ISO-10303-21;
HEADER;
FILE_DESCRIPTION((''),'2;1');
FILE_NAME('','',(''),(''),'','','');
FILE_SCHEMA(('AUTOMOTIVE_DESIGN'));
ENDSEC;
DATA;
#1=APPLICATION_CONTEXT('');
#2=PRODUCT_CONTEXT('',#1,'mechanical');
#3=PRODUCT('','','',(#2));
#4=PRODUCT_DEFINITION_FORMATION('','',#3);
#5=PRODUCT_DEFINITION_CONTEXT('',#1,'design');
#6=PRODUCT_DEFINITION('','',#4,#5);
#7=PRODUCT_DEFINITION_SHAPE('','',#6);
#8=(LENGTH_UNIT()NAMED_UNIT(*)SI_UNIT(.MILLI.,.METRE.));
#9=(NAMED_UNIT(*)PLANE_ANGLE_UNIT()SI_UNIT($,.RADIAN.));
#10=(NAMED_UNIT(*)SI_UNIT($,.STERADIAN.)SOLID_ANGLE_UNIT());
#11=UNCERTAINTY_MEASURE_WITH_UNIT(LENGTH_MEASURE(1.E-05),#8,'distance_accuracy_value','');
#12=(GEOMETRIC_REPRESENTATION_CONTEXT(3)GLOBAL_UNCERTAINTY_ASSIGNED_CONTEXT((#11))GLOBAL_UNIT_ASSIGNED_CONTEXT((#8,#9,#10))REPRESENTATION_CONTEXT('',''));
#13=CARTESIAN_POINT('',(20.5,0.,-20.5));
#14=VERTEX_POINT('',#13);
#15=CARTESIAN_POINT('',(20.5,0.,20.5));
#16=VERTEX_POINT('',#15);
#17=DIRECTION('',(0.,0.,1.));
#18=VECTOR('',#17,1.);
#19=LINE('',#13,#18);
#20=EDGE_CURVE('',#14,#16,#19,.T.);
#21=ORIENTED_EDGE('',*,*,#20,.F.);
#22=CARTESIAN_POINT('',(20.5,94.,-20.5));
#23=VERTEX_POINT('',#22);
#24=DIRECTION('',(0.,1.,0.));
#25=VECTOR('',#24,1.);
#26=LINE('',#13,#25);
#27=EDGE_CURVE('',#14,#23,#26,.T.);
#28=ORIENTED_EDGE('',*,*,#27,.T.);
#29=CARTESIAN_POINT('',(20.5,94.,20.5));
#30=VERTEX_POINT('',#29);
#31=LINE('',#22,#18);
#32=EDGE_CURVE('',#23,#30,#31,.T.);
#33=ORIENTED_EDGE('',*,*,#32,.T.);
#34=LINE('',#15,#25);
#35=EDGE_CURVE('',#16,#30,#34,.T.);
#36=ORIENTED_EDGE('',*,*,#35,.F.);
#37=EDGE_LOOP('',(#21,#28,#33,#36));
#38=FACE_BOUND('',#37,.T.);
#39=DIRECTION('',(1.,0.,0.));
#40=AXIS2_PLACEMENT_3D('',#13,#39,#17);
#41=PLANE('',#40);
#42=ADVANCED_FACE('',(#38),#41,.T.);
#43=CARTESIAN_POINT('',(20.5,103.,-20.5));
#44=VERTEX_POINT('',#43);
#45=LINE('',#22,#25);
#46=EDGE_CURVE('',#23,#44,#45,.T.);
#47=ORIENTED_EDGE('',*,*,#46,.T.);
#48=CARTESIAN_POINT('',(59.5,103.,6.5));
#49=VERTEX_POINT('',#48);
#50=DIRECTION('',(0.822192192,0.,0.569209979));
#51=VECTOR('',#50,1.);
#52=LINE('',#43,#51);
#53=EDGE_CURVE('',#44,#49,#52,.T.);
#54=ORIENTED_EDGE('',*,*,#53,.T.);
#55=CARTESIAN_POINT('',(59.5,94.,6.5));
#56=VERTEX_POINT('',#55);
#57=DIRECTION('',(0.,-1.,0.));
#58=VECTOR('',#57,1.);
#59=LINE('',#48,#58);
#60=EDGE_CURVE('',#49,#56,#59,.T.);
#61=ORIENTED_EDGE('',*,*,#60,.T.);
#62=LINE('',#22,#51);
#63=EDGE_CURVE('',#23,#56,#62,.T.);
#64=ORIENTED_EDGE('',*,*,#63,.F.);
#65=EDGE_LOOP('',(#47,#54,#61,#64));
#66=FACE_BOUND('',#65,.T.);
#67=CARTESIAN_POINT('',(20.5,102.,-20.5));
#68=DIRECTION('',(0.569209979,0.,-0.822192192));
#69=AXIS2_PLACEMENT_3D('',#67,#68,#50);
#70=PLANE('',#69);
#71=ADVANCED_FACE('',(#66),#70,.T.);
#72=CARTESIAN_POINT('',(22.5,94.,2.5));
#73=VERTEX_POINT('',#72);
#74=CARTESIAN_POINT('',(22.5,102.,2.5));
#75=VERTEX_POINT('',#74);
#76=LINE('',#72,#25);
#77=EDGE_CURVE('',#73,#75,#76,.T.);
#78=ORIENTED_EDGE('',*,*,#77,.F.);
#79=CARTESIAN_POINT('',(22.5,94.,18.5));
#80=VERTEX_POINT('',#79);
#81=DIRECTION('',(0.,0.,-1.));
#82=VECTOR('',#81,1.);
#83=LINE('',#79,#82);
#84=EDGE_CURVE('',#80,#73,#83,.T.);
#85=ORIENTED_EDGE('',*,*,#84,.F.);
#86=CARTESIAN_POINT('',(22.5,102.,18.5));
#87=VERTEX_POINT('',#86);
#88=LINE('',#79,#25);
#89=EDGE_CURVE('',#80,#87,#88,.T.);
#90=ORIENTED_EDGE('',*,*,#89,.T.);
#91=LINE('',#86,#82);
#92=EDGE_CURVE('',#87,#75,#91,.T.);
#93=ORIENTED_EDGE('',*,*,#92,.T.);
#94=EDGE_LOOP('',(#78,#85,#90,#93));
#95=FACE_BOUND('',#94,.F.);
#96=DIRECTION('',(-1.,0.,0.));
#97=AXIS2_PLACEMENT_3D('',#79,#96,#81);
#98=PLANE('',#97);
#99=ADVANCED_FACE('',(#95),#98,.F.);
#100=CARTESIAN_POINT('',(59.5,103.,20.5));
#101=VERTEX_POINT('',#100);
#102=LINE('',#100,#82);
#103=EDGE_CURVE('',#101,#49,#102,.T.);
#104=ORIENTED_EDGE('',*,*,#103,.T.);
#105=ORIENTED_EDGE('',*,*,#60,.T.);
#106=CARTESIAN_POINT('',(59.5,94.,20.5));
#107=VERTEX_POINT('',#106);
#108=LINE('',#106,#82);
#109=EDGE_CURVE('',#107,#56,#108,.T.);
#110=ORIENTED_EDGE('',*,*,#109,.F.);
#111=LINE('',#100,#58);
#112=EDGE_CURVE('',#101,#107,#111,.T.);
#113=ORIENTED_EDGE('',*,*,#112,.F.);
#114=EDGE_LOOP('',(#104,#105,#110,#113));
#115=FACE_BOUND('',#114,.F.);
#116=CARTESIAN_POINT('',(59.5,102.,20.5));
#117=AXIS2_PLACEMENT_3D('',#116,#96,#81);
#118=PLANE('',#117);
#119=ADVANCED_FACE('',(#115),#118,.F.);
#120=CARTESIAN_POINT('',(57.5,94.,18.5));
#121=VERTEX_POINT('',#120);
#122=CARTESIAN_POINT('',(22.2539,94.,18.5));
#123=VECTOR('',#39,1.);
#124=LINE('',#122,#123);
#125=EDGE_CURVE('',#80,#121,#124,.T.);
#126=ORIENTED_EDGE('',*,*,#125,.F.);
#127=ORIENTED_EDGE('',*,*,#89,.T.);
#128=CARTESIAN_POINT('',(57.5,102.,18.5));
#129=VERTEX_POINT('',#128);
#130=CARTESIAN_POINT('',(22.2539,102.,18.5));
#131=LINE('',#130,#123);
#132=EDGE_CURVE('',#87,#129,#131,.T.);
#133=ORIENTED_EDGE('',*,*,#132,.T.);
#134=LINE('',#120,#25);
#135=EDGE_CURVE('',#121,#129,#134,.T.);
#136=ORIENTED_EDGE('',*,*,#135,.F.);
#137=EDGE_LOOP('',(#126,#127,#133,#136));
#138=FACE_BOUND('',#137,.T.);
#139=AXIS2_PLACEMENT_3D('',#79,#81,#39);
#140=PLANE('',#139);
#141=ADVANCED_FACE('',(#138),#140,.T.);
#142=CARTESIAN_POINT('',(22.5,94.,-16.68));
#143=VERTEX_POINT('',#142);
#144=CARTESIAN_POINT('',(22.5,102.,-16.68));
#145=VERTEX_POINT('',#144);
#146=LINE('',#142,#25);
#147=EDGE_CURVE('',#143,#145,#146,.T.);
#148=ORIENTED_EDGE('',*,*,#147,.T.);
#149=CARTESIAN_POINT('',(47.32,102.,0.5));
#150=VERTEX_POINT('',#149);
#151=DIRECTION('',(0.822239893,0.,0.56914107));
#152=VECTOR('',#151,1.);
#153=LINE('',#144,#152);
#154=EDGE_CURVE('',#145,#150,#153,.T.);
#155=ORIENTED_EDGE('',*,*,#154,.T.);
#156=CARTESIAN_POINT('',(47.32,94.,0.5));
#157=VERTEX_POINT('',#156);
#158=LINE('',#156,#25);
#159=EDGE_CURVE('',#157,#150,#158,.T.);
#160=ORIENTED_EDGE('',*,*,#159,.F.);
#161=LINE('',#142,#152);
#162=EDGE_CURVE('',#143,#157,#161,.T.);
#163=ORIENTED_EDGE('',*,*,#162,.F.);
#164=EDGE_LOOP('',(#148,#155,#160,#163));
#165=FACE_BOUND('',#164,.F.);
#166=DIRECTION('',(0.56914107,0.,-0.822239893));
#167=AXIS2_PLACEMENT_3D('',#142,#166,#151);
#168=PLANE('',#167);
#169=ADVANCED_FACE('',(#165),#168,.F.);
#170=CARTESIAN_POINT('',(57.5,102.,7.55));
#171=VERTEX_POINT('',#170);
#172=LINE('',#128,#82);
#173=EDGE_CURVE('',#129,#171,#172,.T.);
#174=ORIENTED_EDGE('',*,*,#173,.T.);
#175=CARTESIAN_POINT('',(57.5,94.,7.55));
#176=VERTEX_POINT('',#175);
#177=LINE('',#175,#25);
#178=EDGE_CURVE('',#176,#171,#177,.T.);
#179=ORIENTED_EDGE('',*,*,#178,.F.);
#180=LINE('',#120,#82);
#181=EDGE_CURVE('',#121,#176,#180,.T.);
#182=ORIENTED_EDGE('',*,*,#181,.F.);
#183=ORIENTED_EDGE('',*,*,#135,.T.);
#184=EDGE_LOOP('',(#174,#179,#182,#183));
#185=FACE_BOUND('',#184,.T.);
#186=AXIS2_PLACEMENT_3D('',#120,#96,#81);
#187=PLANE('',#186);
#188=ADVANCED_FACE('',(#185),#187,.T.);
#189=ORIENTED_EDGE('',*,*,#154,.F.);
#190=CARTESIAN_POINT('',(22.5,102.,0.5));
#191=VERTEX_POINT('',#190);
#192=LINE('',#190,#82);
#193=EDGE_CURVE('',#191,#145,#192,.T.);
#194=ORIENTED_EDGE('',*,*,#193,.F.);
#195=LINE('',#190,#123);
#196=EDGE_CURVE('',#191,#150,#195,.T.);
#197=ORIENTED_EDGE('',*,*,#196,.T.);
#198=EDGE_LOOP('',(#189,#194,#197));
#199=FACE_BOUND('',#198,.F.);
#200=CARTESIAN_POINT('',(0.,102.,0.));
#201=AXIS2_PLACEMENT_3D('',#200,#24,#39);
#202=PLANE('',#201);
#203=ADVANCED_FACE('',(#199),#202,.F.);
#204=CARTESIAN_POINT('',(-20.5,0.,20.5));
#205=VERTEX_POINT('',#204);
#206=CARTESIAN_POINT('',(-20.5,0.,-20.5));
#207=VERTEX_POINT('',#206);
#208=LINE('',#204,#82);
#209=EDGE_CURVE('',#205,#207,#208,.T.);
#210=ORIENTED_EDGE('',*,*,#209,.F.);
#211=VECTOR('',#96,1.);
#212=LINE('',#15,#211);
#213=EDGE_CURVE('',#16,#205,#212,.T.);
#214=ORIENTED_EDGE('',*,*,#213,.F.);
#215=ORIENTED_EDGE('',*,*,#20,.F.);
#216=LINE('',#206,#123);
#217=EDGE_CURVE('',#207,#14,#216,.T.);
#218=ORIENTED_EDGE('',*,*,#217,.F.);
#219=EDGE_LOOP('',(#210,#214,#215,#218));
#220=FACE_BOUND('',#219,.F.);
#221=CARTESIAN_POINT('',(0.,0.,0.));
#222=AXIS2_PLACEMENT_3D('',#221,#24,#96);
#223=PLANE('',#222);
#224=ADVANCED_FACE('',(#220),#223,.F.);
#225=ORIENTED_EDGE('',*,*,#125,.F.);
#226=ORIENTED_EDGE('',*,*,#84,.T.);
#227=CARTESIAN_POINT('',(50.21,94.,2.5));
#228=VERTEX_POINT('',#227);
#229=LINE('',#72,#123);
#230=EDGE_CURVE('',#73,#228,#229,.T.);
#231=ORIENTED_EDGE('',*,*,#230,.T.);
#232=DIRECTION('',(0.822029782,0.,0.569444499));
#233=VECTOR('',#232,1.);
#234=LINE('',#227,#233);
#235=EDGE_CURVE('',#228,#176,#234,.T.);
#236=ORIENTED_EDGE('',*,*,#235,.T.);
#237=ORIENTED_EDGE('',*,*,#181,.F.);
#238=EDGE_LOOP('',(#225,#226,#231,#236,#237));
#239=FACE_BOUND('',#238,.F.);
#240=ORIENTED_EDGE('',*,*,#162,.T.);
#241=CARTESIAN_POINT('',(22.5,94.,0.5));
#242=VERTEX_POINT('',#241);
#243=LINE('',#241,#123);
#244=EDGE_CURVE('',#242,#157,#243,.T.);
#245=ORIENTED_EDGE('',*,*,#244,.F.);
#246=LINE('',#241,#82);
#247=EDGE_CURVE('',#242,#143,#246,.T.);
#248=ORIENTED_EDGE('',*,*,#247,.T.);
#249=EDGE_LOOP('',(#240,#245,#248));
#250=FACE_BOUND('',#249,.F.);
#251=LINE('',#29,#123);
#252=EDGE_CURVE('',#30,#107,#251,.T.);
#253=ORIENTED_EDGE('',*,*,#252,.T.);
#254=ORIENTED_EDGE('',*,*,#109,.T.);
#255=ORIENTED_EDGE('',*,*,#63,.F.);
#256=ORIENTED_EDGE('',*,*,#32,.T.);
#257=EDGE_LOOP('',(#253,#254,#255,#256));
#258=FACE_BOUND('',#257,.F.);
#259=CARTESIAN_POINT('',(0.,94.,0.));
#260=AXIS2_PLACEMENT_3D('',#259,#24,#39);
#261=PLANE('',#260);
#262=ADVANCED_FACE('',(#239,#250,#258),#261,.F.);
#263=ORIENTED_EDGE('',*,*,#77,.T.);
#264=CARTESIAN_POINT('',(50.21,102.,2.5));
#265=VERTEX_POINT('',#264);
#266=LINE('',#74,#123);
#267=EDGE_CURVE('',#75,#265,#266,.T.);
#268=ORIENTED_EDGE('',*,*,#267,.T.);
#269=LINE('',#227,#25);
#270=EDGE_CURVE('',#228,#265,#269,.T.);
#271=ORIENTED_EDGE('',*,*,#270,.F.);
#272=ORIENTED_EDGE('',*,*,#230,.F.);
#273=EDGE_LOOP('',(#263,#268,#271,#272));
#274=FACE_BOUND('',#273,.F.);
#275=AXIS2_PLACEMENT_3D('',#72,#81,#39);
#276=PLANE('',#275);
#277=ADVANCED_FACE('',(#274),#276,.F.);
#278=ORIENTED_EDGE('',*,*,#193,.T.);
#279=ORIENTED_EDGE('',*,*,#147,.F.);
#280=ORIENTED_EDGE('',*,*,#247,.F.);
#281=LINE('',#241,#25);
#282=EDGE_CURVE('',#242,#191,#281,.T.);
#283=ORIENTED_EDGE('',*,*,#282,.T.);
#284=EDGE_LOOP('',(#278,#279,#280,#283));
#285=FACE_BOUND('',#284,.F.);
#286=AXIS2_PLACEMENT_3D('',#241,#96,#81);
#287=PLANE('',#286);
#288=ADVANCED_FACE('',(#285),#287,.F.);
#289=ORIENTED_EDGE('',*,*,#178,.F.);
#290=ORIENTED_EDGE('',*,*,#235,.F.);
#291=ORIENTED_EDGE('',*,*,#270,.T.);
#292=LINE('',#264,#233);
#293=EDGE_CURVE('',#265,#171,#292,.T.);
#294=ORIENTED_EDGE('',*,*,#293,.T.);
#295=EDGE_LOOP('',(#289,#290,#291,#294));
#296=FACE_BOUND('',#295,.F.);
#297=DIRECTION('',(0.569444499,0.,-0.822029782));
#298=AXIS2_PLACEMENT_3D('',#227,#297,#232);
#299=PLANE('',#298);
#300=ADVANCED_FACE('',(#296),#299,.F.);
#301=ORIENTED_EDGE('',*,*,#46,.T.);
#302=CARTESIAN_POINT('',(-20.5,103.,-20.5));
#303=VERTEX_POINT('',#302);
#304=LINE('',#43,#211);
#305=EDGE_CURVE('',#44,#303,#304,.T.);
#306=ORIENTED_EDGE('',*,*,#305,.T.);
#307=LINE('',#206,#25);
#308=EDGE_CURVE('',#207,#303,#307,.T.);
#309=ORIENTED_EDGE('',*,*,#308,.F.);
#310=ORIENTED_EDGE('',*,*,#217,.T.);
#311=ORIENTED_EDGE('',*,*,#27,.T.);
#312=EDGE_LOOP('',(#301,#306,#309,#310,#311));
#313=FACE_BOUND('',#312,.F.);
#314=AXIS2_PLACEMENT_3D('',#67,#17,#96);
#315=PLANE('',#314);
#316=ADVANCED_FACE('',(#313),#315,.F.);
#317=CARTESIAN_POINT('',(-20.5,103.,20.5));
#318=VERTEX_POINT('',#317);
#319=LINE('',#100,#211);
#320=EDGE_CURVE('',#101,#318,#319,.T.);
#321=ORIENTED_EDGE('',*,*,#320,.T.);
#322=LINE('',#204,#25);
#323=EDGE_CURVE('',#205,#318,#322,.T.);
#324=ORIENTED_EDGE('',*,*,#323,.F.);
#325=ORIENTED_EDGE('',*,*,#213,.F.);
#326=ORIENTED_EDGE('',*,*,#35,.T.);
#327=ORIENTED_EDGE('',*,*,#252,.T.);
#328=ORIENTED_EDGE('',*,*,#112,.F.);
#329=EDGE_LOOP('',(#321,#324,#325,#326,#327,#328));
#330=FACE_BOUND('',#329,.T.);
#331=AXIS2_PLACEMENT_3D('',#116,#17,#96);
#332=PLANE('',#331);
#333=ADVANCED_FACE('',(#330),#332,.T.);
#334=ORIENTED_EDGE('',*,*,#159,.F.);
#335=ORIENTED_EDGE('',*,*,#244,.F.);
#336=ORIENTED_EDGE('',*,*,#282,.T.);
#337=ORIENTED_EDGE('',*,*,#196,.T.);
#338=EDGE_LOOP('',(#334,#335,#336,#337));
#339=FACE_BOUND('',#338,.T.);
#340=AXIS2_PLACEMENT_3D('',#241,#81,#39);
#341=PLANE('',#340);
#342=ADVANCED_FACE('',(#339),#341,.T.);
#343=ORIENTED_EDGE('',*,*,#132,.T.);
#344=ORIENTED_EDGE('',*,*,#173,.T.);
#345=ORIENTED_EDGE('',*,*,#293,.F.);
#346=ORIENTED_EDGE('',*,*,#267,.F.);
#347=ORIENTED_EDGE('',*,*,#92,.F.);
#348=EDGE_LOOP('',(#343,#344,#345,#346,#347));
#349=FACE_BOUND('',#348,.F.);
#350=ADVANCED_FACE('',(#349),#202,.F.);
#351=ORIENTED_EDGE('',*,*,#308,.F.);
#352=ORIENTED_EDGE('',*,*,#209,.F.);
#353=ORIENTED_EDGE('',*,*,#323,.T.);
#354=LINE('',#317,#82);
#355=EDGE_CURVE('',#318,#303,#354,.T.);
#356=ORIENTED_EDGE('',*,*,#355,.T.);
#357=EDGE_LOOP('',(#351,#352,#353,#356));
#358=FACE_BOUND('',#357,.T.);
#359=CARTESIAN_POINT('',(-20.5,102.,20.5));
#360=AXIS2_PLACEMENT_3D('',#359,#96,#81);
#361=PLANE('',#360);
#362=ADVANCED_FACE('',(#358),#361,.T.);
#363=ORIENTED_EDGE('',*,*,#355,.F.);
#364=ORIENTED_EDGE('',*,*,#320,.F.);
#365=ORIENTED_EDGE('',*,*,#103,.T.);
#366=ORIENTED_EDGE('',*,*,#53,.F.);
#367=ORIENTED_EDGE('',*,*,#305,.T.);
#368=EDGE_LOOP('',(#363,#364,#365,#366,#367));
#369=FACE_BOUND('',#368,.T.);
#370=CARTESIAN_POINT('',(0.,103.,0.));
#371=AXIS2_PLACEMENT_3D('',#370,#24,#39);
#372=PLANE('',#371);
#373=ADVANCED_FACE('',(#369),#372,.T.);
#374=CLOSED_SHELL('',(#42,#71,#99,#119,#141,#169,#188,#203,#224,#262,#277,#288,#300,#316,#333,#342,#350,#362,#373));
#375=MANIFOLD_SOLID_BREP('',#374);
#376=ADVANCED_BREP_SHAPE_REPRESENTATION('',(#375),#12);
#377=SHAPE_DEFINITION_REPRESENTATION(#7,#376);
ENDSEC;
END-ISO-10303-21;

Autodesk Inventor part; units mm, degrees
ref_plane "YZ Plane" through (0, 0, 0) normal (1, 0, 0) x (0, 1, 0)
ref_plane "XZ Plane" through (0, 0, 0) normal (0, 1, 0) x (-1, 0, 0)
ref_plane "XY Plane" through (0, 0, 0) normal (0, 0, 1) x (1, 0, 0)
sketch "Boceto1" plane through (0, 0, 0) normal (0, 1, 0) x (-1, 0, 0)
  line L0 (20.5, -20.5) -> (-20.5, -20.5)
  line L1 (-20.5, -20.5) -> (-20.5, 20.5)
  line L2 (-20.5, 20.5) -> (20.5, 20.5)
  line L3 (20.5, 20.5) -> (20.5, -20.5)
  point P0 (0, 0)
  point P1 (0, 20.5)
  point P2 (-20.5, 0)
  dimension "d0" = 41
  dimension "d1" = 41
extrude "Extrusión1" add sketch "Boceto1" along normal blind 94
sketch "Boceto2" plane through (0, 94, 0) normal (0, 1, 0) x (1, 0, 0)
  line L0 (-20.5, 20.5) -> (-20.5, -20.5) projected
  line L1 (-20.5, -20.5) -> (20.5, -20.5) projected
  line L2 (20.5, -20.5) -> (20.5, 20.5) projected
  line L3 (20.5, -20.5) -> (59.5, -20.5)
  line L4 (59.5, -20.5) -> (59.5, -6.5)
  line L5 (22.2539, -18.5) -> (57.5, -18.5)
  line L6 (57.5, -18.5) -> (22.5, -18.5)
  line L7 (22.5, -18.5) -> (22.5, -2.5)
  line L8 (57.5, -18.5) -> (57.5, -7.55)
  line L9 (22.5, -2.5) -> (50.21, -2.5)
  line L10 (22.5, -0.5) -> (47.32, -0.5)
  line L11 (22.5, -0.5) -> (22.5, 16.68)
  line L12 (22.5, 16.68) -> (47.32, -0.5)
  line L13 (50.21, -2.5) -> (57.5, -7.55)
  line L14 (20.5, 20.5) -> (-20.5, 20.5) projected
  line L15 (20.5, 20.5) -> (59.5, -6.5)
  point P0 (0, 0)
  dimension "d23" = 39
  dimension "d24" = 14
  dimension "d25" = 35
  dimension "d26" = 2
  dimension "d27" = 16
  dimension "d28" = 2
  dimension "d29" = 10.95
  dimension "d30" = 27.71
  dimension "d31" = 24.82
  dimension "d32" = 2
  dimension "d33" = 17.18
sketch "Boceto3" plane through (0, 94, 0) normal (0, 1, 0) x (1, 0, 0)
  point P0 (0, 0)
sketch "Boceto4" plane through (0, 94, 0) normal (0, 1, 0) x (1, 0, 0)
  point P0 (0, 0)
extrude "Extrusión2" add sketch "Boceto2" along normal blind 8 contours L15 L4 L3 L2
sketch "Boceto5" plane through (0, 94, 0) normal (0, 1, 0) x (1, 0, 0)
  line L0 (20.5, 20.5) -> (-20.5, 20.5) projected
  line L1 (-20.5, -20.5) -> (20.5, -20.5) projected
  line L2 (-20.5, 20.5) -> (20.5, 20.5)
  line L3 (20.5, 20.5) -> (20.5, -20.5)
  line L4 (20.5, -20.5) -> (-20.5, -20.5)
  line L5 (-20.5, -20.5) -> (-20.5, 20.5)
  point P0 (0, 0)
extrude "Extrusión3" add sketch "Boceto5" along normal blind 8
sketch "Boceto7" plane through (0, 102, 0) normal (0, 1, 0) x (1, 0, 0)
  line L0 (20.5, 20.5) -> (-20.5, 20.5) projected
  line L1 (-20.5, 20.5) -> (20.5, 20.5)
  line L2 (59.5, -20.5) -> (59.5, -6.5) projected
  line L3 (20.5, 20.5) -> (59.5, -6.5)
  line L4 (59.5, -6.5) -> (59.5, -20.5)
  line L5 (59.5, -20.5) -> (-20.5, -20.5)
  line L6 (-20.5, -20.5) -> (-20.5, 20.5)
  point P0 (0, 0)
extrude "Extrusión5" add sketch "Boceto7" along normal blind 1
properties part number "Pata2"
